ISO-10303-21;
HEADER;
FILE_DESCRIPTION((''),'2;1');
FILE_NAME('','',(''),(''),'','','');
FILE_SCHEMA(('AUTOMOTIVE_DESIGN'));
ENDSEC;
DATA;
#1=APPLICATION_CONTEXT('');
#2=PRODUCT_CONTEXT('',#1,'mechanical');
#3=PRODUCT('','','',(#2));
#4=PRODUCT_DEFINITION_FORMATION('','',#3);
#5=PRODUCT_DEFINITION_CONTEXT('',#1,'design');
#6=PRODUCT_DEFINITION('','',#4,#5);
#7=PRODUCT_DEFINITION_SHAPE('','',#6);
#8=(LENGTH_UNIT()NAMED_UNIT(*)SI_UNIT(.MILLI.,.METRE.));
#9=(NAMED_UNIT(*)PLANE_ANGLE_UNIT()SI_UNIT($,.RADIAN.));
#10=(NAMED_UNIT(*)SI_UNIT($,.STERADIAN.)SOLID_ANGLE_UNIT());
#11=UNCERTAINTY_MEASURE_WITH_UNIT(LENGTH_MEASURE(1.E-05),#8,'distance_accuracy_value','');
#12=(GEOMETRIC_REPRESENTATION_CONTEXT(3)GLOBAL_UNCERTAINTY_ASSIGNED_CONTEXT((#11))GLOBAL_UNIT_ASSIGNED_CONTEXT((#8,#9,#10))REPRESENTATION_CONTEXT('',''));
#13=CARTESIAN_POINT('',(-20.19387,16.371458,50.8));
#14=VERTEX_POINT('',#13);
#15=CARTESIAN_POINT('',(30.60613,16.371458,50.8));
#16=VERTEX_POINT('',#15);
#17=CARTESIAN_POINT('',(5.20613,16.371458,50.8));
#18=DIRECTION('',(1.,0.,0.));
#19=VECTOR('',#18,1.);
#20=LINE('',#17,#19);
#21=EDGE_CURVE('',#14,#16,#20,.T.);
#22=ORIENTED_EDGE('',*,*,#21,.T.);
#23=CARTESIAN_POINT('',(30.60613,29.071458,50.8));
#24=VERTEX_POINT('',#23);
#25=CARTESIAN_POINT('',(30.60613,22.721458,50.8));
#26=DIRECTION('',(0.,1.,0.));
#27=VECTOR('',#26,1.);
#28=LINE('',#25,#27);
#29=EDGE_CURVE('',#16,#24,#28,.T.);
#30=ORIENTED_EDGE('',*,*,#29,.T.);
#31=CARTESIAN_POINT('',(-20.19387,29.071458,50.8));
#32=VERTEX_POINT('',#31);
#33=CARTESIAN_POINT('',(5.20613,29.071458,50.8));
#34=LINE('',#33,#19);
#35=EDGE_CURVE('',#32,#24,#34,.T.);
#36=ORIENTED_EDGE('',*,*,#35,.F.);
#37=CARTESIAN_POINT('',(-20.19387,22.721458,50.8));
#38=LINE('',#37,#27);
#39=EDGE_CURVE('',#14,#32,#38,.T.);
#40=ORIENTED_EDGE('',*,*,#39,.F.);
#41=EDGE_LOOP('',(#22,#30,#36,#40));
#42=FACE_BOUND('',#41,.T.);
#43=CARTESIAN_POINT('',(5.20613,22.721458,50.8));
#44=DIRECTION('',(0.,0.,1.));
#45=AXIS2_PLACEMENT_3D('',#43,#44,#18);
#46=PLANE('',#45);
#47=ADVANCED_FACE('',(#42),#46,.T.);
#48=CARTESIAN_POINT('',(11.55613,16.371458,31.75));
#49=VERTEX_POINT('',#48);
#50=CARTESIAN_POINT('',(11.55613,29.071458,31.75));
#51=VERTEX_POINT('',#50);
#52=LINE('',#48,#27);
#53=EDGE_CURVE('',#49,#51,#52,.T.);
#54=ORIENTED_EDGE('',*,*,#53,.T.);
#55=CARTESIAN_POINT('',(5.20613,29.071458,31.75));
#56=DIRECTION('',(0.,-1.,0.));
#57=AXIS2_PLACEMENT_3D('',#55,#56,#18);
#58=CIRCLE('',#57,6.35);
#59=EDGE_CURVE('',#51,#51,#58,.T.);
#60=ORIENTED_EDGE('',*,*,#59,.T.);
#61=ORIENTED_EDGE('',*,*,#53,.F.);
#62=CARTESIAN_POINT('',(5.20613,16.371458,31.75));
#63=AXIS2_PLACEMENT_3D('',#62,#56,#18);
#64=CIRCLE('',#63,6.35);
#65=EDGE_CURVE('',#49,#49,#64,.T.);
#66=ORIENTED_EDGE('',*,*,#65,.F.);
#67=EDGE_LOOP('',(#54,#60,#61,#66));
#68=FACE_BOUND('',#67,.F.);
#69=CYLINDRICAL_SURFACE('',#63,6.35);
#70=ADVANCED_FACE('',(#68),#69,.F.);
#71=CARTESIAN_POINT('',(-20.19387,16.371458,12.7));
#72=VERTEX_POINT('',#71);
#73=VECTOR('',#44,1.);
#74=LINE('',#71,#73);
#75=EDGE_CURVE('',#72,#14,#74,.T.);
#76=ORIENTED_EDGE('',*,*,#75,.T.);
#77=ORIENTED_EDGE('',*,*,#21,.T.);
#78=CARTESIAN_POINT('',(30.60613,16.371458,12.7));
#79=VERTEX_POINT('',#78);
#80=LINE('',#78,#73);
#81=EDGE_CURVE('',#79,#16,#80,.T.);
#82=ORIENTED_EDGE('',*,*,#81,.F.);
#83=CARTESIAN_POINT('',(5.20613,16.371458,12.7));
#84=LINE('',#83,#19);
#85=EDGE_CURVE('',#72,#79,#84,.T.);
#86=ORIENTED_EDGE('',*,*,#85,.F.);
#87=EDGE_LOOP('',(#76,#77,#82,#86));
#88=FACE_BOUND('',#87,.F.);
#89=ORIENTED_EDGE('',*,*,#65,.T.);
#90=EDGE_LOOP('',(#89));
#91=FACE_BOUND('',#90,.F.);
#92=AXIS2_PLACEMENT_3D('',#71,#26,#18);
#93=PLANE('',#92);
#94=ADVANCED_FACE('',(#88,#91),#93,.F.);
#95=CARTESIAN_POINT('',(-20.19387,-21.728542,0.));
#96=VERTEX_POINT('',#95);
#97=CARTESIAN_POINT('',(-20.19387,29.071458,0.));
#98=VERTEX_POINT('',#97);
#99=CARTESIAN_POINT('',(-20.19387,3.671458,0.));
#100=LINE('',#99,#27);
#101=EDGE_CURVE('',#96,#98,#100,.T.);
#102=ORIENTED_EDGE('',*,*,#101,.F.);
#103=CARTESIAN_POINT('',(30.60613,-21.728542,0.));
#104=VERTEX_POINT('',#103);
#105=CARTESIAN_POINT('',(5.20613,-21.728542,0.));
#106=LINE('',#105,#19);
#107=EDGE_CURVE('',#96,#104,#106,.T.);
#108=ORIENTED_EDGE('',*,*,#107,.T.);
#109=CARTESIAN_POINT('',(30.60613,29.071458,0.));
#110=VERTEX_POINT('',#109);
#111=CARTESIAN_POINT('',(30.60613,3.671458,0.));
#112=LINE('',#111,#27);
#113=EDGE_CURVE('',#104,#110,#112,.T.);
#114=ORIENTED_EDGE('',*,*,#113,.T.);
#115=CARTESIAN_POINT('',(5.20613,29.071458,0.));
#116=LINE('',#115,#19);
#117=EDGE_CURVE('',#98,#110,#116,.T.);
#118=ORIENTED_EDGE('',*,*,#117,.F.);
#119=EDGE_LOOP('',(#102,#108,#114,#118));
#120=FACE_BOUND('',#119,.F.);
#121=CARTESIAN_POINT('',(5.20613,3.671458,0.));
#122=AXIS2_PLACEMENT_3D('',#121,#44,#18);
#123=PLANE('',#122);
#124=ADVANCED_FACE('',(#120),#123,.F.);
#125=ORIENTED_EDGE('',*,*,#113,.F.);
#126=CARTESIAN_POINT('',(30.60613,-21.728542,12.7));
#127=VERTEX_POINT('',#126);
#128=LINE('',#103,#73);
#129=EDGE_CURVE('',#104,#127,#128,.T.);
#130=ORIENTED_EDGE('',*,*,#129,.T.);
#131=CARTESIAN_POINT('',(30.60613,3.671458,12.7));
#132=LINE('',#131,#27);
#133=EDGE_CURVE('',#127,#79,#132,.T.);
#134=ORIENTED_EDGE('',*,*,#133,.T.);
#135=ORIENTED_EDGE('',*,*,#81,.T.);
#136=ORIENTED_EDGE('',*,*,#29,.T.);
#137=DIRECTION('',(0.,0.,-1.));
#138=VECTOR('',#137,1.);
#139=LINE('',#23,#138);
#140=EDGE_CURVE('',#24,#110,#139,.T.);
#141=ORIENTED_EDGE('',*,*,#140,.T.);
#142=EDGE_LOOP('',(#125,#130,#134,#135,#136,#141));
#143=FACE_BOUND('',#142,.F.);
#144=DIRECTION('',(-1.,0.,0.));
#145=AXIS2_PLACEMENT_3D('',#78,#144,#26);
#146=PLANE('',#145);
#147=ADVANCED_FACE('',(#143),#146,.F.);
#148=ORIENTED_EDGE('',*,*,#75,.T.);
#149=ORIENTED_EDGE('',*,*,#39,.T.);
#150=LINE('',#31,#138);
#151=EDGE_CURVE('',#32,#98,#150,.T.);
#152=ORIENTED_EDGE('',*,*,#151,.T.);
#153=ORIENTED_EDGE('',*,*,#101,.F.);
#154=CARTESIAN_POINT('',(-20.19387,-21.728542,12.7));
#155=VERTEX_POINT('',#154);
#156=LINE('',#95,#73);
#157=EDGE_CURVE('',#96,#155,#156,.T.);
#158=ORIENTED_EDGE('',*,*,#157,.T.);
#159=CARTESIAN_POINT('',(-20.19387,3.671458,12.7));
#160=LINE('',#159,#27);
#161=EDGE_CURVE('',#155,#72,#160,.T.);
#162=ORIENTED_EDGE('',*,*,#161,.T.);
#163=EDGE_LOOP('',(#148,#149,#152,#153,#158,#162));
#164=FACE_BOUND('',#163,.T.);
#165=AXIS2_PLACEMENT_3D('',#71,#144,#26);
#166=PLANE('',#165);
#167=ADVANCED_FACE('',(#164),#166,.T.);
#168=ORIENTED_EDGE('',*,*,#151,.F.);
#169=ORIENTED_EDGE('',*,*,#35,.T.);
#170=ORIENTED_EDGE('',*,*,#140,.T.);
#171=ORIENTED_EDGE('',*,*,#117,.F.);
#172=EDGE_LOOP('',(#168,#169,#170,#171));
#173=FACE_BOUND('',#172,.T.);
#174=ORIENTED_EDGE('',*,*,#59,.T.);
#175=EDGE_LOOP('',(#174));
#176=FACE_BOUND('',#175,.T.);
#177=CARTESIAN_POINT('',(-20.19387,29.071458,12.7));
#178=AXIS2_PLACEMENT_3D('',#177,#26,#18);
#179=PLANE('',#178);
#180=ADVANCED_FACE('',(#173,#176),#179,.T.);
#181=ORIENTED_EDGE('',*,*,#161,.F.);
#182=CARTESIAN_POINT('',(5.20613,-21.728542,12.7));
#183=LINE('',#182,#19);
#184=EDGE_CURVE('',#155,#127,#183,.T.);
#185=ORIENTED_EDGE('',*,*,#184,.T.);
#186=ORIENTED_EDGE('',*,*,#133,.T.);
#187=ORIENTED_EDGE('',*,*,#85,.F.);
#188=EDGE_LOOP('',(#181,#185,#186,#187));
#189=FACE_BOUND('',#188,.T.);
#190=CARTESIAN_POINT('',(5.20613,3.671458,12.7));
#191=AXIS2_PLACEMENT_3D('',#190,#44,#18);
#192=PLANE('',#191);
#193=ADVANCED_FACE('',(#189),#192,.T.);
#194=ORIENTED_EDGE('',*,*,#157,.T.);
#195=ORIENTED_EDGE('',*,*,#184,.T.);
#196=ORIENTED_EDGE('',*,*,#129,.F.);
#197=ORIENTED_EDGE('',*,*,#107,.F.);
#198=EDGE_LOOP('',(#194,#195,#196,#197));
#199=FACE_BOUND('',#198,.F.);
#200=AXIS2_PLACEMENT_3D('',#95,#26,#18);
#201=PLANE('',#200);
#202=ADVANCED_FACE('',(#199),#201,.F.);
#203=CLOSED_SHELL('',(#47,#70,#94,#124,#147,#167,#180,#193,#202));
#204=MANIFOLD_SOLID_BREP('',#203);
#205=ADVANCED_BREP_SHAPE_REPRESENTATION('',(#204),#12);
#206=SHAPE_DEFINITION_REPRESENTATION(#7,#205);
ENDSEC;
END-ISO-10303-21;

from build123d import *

# Parameters (mm, degrees)
F0_W     = 50.8
F0_H     = 50.8
F1_DEPTH = 12.7
F2_W     = 50.8
F2_H     = 12.7
F3_DEPTH = 38.1
F4_R     = 6.35
F5_DEPTH = 25.4


with BuildPart() as f1:
    # F0 (on Top) → F1 (new body)
    with BuildSketch(Plane.XY):
        with Locations((5.20613, 3.671458)):
            Rectangle(F0_W, F0_H)
    extrude(amount=F1_DEPTH)

    # F2 (on face) → F3 (join)
    with BuildSketch(Plane.XY.offset(12.7)):
        with Locations((5.20613, 22.721458)):
            Rectangle(F2_W, F2_H)
    extrude(amount=F3_DEPTH)

    # F4 (on face) → F5 (cut)
    with BuildSketch(Plane.XZ.offset(-16.371458)):
        with Locations((5.20613, 31.75)):
            Circle(F4_R)
    extrude(amount=-F5_DEPTH, mode=Mode.SUBTRACT)


solid = f1.part
